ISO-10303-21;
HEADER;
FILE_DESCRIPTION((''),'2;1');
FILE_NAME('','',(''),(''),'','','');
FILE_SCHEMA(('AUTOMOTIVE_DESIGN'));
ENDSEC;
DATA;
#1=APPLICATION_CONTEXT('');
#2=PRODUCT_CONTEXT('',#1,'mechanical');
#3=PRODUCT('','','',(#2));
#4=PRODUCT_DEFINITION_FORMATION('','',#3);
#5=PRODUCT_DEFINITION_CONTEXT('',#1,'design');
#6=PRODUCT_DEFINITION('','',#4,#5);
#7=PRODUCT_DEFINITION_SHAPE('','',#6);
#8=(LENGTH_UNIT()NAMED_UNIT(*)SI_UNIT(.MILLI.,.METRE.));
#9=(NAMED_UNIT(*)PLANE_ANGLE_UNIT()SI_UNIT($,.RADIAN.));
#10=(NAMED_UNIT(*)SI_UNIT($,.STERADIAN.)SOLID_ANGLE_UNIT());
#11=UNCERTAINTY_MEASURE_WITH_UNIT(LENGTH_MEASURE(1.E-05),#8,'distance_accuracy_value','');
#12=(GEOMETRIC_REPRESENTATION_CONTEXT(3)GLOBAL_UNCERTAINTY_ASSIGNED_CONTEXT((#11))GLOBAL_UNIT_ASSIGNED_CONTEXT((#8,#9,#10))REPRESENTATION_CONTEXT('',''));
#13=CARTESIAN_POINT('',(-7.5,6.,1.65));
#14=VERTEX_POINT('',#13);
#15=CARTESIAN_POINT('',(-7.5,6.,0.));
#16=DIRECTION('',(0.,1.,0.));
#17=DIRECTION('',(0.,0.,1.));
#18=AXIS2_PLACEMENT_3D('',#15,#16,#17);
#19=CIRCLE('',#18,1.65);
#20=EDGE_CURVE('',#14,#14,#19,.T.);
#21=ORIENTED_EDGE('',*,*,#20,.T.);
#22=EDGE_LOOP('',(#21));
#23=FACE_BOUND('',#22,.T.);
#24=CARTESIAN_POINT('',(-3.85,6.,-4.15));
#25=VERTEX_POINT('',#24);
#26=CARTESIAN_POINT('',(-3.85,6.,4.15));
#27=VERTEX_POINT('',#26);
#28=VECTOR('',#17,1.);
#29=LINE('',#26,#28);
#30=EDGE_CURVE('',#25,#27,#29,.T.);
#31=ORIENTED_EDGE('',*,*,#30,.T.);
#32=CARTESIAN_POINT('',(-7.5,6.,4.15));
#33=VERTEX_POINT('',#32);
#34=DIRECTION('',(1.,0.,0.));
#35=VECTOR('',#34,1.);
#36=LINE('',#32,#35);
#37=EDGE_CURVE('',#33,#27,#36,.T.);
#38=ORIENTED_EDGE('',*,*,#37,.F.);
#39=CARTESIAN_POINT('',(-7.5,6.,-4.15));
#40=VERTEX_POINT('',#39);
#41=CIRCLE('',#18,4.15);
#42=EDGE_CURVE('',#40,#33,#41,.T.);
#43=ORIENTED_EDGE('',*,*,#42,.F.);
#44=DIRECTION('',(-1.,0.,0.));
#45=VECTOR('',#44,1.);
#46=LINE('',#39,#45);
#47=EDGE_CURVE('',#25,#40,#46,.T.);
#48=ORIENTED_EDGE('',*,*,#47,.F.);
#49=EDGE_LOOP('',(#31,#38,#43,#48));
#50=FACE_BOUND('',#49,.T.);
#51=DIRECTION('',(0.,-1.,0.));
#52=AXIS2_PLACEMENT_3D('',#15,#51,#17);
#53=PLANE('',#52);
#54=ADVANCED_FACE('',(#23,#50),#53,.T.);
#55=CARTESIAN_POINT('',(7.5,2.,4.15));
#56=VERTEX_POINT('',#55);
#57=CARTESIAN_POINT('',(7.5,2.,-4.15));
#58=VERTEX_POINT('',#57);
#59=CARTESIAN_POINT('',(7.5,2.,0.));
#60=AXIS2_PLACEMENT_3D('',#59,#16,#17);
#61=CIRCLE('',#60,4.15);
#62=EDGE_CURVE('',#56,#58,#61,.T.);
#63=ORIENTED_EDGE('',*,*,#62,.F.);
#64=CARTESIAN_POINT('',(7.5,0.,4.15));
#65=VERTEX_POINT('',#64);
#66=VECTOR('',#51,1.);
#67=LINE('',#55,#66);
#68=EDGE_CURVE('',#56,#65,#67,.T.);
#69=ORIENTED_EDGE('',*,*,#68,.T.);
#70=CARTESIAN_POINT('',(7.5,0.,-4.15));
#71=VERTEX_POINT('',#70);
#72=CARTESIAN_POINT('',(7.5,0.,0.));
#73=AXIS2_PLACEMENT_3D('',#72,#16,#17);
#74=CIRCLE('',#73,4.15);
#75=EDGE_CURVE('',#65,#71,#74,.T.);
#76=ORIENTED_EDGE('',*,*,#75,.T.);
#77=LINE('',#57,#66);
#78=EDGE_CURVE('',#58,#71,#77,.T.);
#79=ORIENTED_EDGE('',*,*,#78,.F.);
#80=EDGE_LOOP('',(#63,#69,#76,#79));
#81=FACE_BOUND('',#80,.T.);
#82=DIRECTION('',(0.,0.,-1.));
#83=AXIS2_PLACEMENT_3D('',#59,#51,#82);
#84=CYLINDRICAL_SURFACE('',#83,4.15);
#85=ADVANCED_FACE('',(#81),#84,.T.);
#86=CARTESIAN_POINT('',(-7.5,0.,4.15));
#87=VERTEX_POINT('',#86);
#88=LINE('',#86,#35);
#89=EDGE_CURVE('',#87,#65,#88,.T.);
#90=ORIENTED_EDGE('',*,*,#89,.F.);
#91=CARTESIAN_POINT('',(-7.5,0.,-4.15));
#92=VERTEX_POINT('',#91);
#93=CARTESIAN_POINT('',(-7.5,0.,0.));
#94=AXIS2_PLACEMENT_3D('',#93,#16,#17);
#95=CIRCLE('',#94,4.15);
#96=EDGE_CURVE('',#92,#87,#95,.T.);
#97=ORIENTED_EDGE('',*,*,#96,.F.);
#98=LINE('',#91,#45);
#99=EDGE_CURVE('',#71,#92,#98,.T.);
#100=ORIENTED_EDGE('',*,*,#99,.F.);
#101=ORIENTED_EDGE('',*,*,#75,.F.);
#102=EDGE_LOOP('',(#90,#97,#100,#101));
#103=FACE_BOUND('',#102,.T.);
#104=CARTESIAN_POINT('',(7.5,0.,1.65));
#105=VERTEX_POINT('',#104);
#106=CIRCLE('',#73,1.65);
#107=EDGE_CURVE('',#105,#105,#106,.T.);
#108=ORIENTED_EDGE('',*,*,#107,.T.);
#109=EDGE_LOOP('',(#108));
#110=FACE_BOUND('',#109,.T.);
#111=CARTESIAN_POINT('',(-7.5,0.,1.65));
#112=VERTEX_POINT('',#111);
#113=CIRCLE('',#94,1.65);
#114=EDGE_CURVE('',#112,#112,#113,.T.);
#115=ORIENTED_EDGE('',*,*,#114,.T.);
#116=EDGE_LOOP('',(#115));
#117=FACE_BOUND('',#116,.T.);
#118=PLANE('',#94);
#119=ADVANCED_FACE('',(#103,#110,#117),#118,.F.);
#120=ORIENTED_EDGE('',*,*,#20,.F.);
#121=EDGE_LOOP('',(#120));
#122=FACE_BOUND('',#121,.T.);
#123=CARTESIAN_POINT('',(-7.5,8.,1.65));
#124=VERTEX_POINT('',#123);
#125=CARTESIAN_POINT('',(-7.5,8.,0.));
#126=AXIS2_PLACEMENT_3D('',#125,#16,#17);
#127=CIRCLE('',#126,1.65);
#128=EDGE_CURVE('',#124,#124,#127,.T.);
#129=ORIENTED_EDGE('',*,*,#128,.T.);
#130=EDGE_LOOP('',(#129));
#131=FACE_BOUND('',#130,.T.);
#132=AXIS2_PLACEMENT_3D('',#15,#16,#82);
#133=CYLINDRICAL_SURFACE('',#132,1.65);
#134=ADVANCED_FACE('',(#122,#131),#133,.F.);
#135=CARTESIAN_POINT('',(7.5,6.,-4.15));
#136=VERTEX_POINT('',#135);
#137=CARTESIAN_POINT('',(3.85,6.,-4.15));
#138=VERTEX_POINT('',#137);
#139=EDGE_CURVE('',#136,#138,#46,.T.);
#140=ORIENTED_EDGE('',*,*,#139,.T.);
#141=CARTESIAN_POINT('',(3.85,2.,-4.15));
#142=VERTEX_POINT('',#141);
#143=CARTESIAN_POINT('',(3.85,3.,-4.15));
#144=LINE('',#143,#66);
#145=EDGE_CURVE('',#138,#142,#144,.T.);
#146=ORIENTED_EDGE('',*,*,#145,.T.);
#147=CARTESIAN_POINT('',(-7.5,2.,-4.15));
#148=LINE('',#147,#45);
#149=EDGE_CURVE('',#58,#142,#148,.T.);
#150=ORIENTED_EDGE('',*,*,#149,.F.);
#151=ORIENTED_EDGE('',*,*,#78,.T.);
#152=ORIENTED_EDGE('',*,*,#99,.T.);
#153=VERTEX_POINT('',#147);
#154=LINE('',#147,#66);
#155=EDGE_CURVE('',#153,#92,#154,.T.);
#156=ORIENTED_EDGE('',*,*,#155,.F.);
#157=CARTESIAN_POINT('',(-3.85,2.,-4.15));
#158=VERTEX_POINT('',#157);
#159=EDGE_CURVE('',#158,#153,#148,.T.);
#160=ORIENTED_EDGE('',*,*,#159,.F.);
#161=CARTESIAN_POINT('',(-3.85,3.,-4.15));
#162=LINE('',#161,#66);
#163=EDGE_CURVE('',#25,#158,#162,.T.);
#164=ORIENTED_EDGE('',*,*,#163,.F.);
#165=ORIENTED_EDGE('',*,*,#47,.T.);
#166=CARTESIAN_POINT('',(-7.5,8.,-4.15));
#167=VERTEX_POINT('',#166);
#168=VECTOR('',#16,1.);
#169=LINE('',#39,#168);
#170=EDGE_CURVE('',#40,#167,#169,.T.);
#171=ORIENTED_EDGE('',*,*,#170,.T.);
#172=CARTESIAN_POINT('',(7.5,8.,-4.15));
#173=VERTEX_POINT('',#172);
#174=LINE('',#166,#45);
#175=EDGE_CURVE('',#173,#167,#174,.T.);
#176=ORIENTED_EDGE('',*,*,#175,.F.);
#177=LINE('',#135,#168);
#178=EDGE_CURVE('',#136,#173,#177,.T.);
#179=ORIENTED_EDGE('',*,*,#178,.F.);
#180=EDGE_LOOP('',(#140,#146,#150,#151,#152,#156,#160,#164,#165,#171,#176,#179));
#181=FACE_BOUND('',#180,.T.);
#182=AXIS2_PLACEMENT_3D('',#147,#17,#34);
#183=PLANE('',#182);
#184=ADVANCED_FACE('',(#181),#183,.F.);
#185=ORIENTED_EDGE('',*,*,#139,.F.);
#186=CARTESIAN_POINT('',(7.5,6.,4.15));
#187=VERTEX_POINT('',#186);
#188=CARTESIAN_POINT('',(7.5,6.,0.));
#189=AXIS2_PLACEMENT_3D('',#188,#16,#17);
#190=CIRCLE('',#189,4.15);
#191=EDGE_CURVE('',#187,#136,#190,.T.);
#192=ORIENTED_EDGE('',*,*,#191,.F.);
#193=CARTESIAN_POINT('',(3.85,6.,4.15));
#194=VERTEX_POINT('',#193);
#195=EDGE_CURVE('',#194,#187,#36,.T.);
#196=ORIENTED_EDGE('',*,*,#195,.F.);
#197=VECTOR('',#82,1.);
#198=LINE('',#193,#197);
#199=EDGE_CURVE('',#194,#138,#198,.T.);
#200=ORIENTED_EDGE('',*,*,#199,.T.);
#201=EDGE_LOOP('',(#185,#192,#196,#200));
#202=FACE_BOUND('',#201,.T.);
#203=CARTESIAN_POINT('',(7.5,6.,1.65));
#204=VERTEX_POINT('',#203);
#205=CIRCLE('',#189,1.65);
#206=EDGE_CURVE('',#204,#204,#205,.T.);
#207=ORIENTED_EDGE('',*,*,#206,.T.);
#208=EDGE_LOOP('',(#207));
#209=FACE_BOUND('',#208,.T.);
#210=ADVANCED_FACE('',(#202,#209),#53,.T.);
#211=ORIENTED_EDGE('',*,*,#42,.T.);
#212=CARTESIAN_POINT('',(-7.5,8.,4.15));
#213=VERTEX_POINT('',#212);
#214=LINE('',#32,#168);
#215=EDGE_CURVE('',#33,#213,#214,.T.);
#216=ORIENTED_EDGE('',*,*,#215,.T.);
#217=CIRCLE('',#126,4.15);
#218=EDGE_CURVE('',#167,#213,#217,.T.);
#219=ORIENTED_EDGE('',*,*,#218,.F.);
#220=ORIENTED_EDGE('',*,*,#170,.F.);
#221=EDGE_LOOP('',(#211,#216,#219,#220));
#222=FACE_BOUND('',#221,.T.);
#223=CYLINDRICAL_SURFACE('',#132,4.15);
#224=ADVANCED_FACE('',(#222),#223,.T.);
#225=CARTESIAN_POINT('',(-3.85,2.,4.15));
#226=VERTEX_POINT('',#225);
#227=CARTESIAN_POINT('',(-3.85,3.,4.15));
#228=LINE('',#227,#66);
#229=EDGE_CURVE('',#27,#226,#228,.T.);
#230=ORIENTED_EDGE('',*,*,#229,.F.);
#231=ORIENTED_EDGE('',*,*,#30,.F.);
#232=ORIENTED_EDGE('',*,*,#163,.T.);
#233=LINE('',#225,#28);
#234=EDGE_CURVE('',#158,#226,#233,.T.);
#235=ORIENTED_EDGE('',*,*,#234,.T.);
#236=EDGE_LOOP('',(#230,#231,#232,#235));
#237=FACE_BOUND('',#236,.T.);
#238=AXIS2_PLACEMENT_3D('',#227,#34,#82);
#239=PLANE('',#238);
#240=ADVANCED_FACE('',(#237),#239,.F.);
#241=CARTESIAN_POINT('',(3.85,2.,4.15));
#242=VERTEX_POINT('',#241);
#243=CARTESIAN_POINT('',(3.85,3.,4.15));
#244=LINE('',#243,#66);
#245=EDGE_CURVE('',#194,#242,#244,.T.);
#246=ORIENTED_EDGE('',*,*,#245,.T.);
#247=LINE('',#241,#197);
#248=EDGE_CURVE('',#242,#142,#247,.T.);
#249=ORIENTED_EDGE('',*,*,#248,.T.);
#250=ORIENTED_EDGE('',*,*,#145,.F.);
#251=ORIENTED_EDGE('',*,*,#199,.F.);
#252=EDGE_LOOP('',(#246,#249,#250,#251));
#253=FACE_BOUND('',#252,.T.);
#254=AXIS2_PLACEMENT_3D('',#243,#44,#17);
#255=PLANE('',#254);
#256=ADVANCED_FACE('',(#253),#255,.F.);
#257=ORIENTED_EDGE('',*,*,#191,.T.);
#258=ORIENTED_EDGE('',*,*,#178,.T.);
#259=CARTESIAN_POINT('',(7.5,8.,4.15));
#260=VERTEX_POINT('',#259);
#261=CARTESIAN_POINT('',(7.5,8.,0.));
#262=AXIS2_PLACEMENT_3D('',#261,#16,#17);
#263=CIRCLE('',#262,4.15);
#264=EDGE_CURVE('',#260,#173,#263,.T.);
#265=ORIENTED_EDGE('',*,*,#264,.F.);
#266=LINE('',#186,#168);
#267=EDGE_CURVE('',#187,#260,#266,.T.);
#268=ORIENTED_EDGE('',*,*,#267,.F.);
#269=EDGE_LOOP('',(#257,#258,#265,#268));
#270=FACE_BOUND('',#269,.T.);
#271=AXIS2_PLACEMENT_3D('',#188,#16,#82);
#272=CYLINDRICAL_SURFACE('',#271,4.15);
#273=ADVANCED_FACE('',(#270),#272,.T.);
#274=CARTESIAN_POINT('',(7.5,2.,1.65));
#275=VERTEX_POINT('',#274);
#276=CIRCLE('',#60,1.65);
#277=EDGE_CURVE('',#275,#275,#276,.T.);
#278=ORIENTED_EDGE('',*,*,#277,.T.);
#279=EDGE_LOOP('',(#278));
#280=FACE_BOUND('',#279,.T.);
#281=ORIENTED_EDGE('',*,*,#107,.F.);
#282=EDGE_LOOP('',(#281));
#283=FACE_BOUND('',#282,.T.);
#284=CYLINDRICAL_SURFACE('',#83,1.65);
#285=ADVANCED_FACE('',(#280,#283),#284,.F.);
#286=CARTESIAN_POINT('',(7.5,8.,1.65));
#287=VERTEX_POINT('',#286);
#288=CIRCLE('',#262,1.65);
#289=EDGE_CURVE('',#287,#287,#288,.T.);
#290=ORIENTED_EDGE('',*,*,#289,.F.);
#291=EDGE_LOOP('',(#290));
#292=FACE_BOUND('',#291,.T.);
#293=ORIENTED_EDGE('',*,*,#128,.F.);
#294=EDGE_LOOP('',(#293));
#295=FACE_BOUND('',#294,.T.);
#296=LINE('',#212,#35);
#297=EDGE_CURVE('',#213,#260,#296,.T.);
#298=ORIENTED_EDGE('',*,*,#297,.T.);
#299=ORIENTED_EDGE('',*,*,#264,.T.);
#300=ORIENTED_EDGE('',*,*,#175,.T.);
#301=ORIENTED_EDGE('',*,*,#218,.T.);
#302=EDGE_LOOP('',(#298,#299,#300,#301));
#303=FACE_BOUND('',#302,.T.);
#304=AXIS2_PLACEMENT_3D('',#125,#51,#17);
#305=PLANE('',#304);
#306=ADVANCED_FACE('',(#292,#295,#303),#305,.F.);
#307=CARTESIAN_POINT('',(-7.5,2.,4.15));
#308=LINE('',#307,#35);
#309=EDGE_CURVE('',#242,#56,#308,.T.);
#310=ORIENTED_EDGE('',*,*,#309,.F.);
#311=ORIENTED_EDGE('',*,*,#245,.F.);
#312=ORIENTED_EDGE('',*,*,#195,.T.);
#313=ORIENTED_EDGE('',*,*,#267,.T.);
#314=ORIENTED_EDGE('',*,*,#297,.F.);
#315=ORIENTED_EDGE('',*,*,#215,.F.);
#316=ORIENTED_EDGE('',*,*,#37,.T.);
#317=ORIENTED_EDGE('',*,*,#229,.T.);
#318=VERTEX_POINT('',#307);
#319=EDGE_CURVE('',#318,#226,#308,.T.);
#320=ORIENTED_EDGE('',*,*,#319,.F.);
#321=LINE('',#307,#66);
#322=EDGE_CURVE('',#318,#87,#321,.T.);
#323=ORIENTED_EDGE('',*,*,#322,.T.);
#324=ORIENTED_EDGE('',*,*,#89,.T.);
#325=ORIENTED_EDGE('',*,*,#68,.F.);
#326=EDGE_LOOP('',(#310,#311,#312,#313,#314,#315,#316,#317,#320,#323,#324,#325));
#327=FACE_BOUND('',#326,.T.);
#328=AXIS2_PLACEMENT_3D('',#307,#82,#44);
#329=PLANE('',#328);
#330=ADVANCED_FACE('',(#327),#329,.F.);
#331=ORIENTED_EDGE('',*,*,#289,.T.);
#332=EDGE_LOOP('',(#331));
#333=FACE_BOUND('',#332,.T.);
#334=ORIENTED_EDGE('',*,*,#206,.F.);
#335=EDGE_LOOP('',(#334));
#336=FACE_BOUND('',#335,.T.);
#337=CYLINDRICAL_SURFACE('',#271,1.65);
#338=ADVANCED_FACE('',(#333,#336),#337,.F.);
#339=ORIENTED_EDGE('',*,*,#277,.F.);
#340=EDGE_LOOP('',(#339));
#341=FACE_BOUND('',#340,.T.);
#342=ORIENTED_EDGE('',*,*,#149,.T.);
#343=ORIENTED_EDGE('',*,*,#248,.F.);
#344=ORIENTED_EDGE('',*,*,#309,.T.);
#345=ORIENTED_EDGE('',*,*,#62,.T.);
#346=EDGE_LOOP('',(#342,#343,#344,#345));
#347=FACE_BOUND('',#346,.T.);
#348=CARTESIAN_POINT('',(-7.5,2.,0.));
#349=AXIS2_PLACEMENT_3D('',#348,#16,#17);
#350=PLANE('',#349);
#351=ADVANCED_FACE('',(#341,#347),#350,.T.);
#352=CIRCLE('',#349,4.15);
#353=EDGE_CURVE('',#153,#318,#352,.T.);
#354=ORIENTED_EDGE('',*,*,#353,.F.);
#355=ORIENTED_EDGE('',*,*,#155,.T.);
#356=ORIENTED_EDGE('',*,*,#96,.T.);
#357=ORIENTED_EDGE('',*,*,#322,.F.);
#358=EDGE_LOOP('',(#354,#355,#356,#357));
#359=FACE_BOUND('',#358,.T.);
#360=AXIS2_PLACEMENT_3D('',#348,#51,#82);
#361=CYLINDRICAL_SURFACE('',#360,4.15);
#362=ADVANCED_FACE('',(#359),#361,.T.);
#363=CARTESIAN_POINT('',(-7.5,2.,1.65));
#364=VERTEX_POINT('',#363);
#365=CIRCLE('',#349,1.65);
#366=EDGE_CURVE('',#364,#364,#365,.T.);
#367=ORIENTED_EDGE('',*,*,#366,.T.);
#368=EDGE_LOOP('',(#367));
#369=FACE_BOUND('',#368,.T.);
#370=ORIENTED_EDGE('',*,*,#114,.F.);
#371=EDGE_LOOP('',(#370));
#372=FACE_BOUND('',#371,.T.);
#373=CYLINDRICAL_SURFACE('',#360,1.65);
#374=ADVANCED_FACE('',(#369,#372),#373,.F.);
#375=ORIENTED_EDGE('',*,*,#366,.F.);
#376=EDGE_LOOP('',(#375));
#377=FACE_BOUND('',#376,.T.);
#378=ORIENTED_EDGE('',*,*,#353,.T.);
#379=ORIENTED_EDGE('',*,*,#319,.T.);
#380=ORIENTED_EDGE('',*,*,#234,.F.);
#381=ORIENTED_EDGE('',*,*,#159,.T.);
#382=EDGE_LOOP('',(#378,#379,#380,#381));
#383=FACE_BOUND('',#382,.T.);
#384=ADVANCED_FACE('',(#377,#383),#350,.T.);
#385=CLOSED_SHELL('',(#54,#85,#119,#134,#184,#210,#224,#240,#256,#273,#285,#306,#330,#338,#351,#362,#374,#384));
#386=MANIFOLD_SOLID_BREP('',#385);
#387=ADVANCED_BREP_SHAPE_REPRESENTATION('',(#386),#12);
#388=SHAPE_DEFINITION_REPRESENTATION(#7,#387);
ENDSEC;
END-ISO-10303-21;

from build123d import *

# Parameters (mm, degrees)
SKETCH1_R           = 1.65
BOSS_EXTRUDE1_DEPTH = 2
SKETCH2_W           = 7.7
SKETCH2_H           = 8.3
BOSS_EXTRUDE2_DEPTH = 1


with BuildPart() as part:
    # Sketch1 → Boss-Extrude1 (new body)
    with BuildSketch(Plane(origin=(0, 0, 0), x_dir=(1, 0, 0), z_dir=(0, 1, 0))):
        with BuildLine():
            Line((-7.5, 4.15), (7.5, 4.15))
            ThreePointArc((7.5, 4.15), (11.65, 0), (7.5, -4.15))
            Line((7.5, -4.15), (-7.5, -4.15))
            ThreePointArc((-7.5, -4.15), (-11.65, 0), (-7.5, 4.15))
        make_face()
        with Locations(Location((-7.5, 0, 0), (0, 0, 270))):
            Circle(SKETCH1_R, mode=Mode.SUBTRACT)
        with Locations(Location((7.5, 0, 0), (0, 0, 270))):
            Circle(SKETCH1_R, mode=Mode.SUBTRACT)
    extrude(amount=BOSS_EXTRUDE1_DEPTH)

    # Sketch2 → Boss-Extrude2 (add)
    with BuildSketch(Plane(origin=(0, 2, 0), x_dir=(1, 0, 0), z_dir=(0, 1, 0))):
        Rectangle(SKETCH2_W, SKETCH2_H)
    boss_extrude2 = extrude(amount=BOSS_EXTRUDE2_DEPTH)

    # Mirror1: Boss-Extrude2 across plane
    add(boss_extrude2.mirror(Plane.ZX.offset(3)))

    # Mirror4: part across plane


with BuildPart() as part_1:
    add(part.part)
    add(part.part.mirror(Plane(origin=(0, 4, 0), x_dir=(0, 0, 1), z_dir=(0, -1, 0))))


solid = part_1.part
